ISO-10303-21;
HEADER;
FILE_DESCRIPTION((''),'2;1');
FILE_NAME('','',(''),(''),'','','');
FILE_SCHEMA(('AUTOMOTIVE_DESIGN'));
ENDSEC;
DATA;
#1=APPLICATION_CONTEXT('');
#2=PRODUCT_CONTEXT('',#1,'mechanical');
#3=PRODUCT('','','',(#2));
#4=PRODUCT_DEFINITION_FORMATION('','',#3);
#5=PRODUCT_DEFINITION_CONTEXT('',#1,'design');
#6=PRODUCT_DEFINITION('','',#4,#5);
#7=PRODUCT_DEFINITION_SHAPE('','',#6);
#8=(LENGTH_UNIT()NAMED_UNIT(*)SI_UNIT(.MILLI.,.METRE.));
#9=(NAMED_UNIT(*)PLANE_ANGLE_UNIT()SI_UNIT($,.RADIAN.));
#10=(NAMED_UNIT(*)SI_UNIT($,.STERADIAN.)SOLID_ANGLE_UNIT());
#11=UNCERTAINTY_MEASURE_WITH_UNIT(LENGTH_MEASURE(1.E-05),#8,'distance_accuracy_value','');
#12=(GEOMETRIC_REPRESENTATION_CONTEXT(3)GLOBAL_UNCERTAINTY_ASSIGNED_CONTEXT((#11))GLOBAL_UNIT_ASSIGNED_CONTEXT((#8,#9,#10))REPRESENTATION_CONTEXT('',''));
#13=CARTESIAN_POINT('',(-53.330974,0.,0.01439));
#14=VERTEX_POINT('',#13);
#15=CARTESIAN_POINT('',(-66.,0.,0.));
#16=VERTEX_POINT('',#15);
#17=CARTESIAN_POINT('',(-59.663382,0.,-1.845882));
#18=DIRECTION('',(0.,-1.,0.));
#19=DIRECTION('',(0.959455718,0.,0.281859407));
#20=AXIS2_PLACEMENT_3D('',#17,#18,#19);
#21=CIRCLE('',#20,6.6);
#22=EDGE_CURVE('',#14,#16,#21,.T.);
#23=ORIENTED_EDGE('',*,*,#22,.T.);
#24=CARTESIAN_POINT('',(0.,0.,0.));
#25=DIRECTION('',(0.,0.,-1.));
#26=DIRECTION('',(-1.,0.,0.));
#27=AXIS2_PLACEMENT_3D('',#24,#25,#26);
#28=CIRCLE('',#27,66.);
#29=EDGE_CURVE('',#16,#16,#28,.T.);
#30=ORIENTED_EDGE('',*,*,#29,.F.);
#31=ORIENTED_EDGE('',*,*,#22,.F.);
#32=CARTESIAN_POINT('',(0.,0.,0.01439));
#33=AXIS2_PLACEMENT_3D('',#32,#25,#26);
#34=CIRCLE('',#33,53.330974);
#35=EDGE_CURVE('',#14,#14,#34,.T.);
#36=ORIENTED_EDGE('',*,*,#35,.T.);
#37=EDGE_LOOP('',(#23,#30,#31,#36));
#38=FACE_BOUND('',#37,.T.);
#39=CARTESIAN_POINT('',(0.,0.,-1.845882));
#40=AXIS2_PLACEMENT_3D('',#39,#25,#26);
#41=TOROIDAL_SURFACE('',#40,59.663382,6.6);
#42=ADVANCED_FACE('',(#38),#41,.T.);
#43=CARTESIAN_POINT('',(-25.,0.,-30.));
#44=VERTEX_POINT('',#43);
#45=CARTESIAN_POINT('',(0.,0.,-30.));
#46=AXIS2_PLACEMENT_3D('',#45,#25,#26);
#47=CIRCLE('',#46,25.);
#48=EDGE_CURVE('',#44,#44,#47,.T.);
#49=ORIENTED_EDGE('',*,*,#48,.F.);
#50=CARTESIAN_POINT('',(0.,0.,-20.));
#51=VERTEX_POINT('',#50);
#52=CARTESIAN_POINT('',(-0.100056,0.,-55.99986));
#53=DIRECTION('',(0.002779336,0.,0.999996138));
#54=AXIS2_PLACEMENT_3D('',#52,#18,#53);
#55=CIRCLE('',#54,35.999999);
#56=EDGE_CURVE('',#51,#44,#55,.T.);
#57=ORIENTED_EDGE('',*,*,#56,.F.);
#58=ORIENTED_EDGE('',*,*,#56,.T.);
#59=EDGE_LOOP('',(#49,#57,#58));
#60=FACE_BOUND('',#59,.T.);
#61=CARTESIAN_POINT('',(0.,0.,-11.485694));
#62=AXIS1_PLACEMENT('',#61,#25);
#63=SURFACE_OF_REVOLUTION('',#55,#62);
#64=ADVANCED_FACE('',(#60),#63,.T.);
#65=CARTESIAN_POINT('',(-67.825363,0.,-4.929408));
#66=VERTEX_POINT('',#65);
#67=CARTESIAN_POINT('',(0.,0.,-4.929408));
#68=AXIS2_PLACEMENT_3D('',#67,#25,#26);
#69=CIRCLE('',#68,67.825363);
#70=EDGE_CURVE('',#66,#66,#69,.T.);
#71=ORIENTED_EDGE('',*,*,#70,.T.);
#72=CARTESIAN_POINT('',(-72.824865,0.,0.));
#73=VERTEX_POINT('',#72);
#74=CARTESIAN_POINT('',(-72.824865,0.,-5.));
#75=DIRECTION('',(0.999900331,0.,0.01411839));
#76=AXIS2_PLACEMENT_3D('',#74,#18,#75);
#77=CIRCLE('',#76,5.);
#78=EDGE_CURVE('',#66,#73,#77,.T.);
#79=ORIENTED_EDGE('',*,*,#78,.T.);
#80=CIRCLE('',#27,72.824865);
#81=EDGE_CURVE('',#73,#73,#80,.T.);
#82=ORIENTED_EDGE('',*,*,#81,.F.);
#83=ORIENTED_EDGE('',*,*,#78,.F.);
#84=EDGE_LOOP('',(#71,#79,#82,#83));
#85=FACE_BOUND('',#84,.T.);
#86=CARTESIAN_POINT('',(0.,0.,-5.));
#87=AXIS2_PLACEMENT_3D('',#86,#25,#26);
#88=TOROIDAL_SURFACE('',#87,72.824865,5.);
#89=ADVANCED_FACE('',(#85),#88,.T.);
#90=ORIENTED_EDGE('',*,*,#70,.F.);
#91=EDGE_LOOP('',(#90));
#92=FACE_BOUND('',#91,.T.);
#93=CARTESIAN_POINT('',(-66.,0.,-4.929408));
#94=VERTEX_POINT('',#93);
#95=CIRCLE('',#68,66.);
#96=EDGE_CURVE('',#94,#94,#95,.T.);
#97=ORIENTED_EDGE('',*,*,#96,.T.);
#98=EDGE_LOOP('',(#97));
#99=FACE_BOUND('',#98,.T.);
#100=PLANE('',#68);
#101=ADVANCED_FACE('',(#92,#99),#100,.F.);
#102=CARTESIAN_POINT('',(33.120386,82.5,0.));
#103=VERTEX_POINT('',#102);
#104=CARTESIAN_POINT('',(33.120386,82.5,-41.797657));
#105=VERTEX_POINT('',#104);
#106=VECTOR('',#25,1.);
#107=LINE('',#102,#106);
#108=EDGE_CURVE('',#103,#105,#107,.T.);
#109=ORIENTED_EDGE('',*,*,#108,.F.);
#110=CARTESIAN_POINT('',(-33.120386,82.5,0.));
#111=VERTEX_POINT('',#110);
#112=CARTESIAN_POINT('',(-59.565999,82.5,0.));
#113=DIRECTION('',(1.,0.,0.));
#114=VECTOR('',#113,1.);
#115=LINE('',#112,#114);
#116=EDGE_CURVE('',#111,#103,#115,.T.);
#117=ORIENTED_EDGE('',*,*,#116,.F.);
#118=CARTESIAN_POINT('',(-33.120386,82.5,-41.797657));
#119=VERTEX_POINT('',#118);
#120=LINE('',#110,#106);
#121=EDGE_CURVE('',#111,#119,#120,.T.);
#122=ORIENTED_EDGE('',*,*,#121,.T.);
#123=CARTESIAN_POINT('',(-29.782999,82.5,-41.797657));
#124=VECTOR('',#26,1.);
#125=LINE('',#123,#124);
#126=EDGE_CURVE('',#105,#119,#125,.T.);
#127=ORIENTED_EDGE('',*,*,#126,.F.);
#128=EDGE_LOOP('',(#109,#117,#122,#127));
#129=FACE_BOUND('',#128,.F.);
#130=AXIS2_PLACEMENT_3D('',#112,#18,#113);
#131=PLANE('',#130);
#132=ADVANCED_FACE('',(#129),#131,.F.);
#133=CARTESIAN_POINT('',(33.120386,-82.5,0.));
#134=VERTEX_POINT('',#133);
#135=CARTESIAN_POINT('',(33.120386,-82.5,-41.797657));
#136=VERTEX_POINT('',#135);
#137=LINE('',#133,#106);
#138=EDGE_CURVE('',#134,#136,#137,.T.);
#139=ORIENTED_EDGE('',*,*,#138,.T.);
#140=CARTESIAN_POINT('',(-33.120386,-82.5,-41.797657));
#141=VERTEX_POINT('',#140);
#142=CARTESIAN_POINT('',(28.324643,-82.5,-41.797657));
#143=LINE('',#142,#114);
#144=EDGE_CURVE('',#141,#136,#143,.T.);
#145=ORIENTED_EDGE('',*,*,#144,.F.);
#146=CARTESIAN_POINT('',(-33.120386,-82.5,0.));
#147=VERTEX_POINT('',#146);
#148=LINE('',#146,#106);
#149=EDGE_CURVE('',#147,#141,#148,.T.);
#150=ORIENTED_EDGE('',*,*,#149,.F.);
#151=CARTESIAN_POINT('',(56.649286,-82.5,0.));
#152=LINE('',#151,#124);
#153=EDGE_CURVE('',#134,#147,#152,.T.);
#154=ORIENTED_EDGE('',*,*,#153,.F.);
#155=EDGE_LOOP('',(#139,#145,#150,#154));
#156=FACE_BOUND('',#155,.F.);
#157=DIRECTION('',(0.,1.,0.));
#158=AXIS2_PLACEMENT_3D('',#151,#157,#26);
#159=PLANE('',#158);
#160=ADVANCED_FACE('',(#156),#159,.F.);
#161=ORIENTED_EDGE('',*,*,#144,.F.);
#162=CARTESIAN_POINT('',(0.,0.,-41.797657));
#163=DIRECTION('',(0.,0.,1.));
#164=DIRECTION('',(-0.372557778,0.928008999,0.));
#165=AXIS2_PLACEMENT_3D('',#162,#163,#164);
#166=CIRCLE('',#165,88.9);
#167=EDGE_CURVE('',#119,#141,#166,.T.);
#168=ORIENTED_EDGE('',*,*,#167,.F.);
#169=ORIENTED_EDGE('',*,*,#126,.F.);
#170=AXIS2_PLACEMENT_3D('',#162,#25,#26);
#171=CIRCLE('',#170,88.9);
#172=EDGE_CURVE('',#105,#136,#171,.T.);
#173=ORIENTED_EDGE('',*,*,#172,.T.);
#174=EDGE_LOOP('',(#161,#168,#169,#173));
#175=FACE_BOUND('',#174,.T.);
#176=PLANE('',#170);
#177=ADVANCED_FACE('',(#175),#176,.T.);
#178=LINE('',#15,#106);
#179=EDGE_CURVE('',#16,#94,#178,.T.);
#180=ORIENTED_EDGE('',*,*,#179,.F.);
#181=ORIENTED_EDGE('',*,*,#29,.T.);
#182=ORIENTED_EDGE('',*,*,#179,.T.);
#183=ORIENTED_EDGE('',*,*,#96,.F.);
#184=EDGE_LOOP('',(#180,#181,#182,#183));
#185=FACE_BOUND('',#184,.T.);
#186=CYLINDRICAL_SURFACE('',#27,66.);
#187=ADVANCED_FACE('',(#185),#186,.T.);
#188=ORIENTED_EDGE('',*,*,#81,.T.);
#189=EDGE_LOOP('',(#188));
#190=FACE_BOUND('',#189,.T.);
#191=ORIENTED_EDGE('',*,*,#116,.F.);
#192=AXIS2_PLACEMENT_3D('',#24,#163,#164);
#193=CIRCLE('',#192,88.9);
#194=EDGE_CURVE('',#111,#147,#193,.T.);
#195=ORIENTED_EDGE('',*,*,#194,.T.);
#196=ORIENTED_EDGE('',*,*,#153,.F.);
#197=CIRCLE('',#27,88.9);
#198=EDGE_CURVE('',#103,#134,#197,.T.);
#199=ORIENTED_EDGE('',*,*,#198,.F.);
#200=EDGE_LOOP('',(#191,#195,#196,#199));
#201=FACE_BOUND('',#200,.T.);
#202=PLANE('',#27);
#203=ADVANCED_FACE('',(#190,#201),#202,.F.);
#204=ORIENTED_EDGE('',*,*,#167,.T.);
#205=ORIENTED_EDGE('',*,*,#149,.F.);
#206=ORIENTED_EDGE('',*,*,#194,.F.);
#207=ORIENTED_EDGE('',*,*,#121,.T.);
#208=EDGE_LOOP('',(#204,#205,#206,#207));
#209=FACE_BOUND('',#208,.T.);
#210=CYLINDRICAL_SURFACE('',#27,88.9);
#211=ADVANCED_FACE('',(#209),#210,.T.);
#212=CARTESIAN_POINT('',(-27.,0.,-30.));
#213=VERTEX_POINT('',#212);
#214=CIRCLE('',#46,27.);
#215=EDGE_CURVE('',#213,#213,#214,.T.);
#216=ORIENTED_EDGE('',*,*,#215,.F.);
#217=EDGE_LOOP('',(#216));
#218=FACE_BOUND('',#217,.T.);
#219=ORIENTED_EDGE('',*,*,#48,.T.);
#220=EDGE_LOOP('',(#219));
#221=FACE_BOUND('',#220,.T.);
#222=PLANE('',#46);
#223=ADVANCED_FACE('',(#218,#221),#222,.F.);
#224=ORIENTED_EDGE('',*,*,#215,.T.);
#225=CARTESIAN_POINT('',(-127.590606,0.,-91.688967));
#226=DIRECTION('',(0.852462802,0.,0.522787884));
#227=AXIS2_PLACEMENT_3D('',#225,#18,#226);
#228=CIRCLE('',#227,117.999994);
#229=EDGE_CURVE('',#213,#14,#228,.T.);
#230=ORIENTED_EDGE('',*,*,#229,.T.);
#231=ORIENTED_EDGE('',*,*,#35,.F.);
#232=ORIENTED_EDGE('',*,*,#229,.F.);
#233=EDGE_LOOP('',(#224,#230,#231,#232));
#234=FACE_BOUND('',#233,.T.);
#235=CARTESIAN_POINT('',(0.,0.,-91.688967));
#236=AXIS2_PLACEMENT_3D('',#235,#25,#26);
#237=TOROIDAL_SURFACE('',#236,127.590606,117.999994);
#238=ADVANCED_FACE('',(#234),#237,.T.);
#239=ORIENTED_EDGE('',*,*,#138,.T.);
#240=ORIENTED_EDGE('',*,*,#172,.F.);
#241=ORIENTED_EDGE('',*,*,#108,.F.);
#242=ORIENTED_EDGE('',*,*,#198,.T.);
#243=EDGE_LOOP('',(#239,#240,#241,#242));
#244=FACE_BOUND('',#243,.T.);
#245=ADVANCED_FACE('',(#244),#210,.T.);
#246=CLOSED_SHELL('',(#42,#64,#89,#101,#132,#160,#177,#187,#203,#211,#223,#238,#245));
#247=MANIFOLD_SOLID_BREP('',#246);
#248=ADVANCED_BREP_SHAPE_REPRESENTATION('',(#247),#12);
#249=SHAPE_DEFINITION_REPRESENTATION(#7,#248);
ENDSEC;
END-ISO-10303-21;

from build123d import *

# Parameters (mm, degrees)
F3_DEPTH = 41.798657


with BuildPart() as f1:
    # F0 (on Front) → F1 (revolve)
    with BuildSketch(Plane.XZ):
        with BuildLine():
            ThreePointArc((-27, -30), (-38.886788, -13.87103), (-53.330974, 0.01439))
            ThreePointArc((-53.330974, 0.01439), (-59.670879, 4.754114), (-66, 0))
            Line((-66, 0), (-66, -4.929408))
            Line((-66, -4.929408), (-67.825363, -4.929408))
            ThreePointArc((-67.825363, -4.929408), (-69.314377, -1.439596), (-72.824865, 0))
            Line((-72.824865, 0), (-88.9, 0))
            Line((-88.9, 0), (-88.9, -41.797657))
            Line((-88.9, -41.797657), (0, -41.797657))
            Line((0, -41.797657), (0, -20))
            ThreePointArc((0, -20), (-13.47012, -22.5747), (-25, -30))
            Line((-25, -30), (-27, -30))
        make_face()
    revolve(axis=Axis((0, 0, -11.485694), (0, 0, -1)))

    # F2 (on face) → F3 (cut, through all)
    with BuildSketch(Plane.XY):
        Polygon((-59.565999, 82.5), (-33.120386, 82.5), (33.120386, 82.5), (63.941218, 82.5), (-2.141983, 104.541838), align=None)
        Polygon((33.120386, -82.5), (-33.120386, -82.5), (-49.083836, -82.5), (6.972946, -111.715175), (56.649286, -82.5), align=None)
    extrude(amount=-F3_DEPTH, mode=Mode.SUBTRACT)


solid = f1.part
